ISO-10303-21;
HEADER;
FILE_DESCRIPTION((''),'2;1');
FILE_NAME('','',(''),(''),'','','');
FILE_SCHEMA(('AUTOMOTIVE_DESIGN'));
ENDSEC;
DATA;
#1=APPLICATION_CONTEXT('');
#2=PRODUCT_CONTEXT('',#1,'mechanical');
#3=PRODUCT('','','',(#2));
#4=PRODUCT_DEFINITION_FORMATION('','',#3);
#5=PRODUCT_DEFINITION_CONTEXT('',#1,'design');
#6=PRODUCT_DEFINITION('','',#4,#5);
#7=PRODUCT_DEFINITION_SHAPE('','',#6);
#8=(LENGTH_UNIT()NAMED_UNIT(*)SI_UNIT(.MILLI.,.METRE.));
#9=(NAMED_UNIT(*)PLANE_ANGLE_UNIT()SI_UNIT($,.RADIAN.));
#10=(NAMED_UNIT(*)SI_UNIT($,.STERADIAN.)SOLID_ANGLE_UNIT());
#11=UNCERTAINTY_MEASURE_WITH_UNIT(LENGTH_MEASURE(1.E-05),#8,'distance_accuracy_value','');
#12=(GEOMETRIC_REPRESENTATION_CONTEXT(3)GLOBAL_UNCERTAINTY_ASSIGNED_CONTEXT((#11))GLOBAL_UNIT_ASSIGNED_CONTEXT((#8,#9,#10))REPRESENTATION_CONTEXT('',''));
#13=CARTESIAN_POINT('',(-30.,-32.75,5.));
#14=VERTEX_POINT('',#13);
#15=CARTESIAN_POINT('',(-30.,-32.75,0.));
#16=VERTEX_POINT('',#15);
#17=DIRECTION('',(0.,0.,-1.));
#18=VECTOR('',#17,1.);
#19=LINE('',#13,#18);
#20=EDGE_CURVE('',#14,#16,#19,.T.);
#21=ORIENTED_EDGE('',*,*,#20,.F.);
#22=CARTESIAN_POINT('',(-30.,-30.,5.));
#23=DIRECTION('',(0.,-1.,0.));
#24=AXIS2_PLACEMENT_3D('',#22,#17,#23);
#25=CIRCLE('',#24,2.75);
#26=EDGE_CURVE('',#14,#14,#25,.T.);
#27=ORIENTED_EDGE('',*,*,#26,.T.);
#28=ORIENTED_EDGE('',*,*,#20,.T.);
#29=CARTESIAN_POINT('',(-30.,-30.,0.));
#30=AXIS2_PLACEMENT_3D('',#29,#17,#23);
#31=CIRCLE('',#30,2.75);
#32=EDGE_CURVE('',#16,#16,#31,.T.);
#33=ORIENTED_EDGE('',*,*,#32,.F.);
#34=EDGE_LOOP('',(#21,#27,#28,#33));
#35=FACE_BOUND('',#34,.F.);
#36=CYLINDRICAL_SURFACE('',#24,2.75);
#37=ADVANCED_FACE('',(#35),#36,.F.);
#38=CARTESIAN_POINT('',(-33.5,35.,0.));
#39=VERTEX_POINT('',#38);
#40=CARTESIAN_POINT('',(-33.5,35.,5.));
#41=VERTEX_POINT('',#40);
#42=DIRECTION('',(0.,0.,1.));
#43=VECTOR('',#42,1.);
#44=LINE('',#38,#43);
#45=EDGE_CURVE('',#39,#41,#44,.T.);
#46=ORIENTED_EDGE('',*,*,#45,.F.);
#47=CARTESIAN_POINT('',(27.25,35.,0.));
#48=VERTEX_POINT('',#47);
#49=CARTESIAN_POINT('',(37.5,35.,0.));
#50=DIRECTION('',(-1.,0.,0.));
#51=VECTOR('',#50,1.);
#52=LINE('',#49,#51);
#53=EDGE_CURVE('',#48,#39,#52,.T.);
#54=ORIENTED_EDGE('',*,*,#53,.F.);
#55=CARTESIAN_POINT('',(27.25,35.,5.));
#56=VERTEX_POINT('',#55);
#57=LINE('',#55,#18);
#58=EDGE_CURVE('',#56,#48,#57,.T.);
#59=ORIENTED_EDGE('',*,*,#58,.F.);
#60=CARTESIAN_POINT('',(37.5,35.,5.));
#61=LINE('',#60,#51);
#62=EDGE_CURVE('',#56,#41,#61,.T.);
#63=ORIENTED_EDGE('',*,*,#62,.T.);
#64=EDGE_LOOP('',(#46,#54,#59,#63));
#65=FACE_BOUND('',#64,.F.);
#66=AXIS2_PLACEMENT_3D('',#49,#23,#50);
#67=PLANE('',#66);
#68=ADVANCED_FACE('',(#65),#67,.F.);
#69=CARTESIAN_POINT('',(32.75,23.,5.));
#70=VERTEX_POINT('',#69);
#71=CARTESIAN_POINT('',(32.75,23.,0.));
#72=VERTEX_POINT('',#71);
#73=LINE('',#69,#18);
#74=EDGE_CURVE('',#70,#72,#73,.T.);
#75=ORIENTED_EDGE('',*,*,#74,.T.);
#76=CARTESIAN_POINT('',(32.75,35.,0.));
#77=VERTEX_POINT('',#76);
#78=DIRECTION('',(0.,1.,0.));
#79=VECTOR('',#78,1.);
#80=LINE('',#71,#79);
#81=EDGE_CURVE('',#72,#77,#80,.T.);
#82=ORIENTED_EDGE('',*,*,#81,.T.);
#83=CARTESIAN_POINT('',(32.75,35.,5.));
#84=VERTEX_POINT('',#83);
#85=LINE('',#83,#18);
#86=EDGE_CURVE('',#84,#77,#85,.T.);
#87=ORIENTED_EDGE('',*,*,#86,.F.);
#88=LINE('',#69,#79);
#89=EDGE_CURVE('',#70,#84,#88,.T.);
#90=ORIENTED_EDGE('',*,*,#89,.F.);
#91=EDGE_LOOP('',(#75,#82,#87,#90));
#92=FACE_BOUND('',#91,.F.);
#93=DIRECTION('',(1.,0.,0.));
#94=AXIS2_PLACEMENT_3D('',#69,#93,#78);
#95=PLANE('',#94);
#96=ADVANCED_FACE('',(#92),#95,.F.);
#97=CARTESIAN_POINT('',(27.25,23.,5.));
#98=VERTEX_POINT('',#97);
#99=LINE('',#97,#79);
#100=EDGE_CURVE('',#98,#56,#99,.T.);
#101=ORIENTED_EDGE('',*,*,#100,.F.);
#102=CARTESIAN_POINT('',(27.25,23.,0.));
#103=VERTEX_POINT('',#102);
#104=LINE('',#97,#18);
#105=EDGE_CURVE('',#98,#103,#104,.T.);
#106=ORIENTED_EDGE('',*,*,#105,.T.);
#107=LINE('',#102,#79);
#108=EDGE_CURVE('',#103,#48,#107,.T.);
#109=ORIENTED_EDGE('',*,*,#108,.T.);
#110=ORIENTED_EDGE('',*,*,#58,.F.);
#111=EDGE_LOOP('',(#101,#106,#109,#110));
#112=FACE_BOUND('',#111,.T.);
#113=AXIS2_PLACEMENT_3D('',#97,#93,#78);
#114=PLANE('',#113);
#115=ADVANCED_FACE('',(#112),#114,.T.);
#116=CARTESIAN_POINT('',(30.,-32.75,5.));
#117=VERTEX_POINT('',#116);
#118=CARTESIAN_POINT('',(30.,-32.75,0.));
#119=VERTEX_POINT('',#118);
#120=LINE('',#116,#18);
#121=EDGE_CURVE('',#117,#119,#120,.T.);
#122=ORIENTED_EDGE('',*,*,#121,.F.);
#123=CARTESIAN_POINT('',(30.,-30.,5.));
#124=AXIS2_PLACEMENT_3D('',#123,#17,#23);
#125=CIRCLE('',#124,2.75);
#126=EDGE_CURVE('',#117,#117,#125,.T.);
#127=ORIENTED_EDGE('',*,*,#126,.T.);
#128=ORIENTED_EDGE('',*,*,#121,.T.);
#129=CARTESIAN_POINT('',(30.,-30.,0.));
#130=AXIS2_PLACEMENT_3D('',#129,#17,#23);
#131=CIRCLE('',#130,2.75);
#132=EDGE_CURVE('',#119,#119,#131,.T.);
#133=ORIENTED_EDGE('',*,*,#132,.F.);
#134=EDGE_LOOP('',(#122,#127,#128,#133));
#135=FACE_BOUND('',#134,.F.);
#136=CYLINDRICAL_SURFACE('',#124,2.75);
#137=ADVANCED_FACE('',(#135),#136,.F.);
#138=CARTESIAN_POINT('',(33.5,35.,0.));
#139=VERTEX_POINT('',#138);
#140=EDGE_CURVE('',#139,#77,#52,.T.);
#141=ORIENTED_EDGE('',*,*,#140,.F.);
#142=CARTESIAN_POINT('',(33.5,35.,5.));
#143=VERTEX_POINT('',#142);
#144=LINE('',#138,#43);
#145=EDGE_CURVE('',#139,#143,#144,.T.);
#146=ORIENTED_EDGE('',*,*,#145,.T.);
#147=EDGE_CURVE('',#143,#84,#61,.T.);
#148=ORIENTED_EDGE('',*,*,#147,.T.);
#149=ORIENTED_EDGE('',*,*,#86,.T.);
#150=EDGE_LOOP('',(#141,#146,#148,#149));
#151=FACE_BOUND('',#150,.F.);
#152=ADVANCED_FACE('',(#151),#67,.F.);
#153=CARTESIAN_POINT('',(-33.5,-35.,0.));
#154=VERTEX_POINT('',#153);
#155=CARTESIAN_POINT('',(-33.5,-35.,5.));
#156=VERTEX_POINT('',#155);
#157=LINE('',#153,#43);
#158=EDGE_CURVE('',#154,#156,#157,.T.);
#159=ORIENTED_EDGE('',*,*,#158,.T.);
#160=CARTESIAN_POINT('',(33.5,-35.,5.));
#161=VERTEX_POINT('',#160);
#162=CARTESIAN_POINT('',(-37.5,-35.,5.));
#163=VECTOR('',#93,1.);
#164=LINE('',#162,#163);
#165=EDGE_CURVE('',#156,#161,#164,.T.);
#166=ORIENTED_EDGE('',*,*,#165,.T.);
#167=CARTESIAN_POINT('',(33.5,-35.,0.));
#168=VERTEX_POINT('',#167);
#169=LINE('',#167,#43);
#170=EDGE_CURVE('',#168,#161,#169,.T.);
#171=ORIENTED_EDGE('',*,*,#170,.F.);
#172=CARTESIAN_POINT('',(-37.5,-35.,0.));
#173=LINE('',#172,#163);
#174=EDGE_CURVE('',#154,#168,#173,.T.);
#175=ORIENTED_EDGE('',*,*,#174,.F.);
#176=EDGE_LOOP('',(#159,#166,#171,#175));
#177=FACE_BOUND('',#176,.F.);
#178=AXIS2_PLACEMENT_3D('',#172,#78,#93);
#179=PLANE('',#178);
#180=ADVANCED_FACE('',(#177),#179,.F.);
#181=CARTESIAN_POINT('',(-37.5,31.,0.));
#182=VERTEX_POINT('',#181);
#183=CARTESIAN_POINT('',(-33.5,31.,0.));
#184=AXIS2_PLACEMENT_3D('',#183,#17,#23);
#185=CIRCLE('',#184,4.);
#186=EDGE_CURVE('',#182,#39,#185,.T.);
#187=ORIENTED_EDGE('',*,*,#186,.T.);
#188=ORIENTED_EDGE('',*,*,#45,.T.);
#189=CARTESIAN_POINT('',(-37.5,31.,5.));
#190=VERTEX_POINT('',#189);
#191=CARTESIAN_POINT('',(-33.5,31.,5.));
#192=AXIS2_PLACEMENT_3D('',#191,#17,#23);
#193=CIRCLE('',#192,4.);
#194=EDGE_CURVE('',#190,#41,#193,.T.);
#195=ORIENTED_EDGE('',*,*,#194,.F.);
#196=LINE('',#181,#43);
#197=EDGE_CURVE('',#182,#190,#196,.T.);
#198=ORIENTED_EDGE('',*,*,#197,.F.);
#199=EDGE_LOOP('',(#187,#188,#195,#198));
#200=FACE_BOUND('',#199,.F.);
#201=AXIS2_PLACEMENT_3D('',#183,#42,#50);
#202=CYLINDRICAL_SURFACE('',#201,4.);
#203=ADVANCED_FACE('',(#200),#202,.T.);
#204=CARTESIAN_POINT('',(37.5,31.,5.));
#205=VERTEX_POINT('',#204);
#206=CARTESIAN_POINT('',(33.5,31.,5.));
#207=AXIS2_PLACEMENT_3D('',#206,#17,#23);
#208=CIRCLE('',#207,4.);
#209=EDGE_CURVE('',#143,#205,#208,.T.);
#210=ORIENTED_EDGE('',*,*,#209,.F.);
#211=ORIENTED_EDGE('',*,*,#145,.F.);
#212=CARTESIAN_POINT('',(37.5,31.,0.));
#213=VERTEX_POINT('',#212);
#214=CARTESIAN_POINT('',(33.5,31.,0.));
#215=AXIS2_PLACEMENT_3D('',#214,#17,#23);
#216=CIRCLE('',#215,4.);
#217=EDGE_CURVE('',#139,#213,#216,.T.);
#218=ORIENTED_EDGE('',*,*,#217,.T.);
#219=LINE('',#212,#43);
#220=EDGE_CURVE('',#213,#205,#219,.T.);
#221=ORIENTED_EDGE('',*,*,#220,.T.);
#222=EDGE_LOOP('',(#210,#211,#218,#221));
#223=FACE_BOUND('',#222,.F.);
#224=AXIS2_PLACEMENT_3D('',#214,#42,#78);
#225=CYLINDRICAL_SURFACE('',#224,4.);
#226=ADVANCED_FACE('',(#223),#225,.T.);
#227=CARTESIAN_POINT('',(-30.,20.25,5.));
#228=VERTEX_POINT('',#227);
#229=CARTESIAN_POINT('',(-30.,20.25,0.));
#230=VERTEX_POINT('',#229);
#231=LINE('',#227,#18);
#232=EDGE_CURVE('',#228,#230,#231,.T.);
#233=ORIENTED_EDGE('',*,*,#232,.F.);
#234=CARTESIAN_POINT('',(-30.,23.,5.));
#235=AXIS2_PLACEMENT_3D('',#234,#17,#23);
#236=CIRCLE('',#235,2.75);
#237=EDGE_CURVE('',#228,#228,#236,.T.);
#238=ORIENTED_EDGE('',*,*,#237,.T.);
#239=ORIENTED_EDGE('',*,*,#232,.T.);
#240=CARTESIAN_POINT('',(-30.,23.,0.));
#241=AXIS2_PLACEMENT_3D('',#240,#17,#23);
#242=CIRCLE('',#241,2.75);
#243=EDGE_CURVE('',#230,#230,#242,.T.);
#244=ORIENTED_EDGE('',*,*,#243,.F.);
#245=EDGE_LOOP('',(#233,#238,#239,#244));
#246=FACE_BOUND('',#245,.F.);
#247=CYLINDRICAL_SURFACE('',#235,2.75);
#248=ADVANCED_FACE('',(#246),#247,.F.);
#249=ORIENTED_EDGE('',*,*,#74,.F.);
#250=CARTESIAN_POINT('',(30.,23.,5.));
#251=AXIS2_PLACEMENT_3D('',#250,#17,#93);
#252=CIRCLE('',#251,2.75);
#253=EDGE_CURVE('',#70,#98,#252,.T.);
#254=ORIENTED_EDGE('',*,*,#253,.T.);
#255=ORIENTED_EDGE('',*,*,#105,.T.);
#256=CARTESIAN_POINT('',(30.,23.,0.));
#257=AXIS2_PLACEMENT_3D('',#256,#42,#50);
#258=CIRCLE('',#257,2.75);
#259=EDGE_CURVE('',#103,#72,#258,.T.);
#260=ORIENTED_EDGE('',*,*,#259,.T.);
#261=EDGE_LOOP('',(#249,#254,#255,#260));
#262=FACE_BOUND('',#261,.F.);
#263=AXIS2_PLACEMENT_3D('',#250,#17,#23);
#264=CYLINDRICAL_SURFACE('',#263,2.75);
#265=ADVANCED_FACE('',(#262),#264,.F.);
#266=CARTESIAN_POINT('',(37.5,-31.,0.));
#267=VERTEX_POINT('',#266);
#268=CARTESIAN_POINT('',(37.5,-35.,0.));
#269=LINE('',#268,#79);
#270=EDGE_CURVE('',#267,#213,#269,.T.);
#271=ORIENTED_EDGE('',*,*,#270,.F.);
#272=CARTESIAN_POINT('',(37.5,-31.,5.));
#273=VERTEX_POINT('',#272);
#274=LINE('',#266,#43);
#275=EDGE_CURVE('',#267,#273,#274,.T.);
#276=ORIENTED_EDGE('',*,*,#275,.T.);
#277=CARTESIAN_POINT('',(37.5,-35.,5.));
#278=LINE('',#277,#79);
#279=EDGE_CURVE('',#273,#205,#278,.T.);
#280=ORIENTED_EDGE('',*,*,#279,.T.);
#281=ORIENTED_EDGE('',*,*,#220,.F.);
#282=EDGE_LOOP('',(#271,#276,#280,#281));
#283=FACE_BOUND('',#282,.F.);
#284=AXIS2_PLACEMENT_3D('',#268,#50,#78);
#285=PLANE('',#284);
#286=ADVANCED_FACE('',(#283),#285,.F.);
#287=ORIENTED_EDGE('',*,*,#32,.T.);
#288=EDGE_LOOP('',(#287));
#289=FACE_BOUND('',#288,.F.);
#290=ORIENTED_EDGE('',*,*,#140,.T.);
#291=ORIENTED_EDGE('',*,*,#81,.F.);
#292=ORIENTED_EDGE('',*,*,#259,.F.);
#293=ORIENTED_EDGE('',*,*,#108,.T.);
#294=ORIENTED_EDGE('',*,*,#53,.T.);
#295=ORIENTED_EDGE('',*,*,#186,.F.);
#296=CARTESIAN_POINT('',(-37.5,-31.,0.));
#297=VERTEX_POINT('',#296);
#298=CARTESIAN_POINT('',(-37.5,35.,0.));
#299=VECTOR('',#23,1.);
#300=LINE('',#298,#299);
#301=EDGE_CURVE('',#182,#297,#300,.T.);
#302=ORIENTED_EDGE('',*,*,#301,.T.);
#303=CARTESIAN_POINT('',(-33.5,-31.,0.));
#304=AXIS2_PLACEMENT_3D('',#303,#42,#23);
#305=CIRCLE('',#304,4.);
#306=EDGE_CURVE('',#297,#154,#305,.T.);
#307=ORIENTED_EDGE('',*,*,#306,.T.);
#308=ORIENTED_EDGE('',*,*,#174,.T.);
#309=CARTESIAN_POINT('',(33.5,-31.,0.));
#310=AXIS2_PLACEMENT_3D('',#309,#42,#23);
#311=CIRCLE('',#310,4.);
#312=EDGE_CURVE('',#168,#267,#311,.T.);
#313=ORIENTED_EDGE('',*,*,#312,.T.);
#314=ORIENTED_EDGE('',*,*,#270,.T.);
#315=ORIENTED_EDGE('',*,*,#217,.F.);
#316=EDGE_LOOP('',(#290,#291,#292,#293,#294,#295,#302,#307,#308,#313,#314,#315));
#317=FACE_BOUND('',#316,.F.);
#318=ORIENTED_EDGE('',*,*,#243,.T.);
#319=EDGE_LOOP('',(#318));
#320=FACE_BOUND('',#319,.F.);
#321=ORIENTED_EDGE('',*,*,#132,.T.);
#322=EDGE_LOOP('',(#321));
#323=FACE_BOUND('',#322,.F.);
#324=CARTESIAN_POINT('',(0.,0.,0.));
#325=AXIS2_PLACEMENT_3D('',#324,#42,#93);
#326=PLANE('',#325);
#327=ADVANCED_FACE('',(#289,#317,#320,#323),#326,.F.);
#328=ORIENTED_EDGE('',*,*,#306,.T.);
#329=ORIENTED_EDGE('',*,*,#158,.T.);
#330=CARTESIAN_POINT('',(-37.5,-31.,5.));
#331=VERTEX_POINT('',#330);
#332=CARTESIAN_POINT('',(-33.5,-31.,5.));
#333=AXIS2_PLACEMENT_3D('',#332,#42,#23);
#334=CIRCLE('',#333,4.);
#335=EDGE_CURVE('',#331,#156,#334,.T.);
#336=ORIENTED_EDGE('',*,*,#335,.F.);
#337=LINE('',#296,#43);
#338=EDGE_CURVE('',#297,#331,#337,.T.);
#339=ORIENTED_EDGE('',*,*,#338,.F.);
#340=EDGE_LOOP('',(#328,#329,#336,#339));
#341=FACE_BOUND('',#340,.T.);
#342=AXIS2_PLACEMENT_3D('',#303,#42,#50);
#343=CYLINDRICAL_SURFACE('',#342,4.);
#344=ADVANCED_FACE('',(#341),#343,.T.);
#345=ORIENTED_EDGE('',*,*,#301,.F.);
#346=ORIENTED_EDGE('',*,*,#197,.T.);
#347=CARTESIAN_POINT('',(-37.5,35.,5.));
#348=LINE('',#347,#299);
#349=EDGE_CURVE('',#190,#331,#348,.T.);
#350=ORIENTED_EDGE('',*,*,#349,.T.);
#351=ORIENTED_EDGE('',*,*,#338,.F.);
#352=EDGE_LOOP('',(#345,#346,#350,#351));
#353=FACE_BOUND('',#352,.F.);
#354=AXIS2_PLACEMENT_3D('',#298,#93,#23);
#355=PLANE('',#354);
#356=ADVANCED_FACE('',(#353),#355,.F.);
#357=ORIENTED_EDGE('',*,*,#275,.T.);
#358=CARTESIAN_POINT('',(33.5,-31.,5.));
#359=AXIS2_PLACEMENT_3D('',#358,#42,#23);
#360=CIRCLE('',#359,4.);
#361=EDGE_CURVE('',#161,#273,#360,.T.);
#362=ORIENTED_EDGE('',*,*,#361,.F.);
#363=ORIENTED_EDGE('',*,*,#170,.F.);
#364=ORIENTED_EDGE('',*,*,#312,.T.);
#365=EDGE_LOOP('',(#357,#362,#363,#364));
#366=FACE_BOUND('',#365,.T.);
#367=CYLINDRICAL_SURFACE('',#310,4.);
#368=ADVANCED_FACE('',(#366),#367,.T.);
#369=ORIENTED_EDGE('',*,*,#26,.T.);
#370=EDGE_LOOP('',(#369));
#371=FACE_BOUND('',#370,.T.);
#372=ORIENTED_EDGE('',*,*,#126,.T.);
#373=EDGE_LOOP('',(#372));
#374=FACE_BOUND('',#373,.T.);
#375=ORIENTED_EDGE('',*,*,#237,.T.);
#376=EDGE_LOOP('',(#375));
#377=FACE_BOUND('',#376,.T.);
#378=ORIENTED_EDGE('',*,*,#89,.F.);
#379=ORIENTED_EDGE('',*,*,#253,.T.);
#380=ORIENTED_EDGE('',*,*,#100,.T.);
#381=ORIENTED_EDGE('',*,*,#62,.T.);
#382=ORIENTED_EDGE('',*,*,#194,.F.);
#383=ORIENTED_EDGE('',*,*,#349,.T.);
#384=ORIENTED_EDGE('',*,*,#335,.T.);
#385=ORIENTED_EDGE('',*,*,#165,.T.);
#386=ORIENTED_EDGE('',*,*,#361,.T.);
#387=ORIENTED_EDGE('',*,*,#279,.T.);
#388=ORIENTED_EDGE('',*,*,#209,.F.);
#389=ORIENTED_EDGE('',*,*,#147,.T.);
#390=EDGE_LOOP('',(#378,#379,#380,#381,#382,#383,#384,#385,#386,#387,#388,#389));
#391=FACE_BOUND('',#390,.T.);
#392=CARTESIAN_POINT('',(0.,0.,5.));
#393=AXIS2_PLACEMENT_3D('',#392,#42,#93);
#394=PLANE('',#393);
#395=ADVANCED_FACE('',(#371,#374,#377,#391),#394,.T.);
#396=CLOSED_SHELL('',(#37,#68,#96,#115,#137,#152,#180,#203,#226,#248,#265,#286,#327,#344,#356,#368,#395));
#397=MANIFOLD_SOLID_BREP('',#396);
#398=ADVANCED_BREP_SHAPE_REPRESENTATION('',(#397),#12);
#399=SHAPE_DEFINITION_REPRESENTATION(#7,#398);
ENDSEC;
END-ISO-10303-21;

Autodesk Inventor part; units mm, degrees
ref_plane "YZ Plane" through (0, 0, 0) normal (1, 0, 0) x (0, 1, 0)
ref_plane "XZ Plane" through (0, 0, 0) normal (0, 1, 0) x (-1, 0, 0)
ref_plane "XY Plane" through (0, 0, 0) normal (0, 0, 1) x (1, 0, 0)
sketch "Sketch1" plane through (0, 0, 0) normal (0, 0, 1) x (1, 0, 0)
  line L0 (-37.5, -35) -> (37.5, -35)
  line L1 (37.5, -35) -> (37.5, 35)
  line L2 (37.5, 35) -> (-37.5, 35)
  line L3 (-37.5, 35) -> (-37.5, -35)
  line L4 (-37.5, -35) -> (37.5, 35) construction
  line L5 (37.5, -35) -> (-37.5, 35) construction
  point P0 (0, 0)
  dimension "d0" = 75
  dimension "d1" = 70
extrude "Extrusion1" add sketch "Sketch1" along normal blind 5
sketch "Sketch2" plane through (0, 0, 5) normal (0, 0, 1) x (1, 0, 0)
  line L0 (-30, -30) -> (30, -30) construction
  line L1 (-37.5, -35) -> (37.5, -35) construction
  line L2 (-30, 23) -> (30, 23) construction
  point P0 (0, 0)
  point P1 (0, -30)
  dimension "d4" = 60
  dimension "d5" = 5
  dimension "d6" = 60
  dimension "d7" = 58
  dimension "d8" = 30
hole "Hole1" at (-30, -30, 5) at (30, -30, 5) at (30, 23, 5) at (-30, 23, 5) direction (0, 0, -1) diameter 5.5 depth 8 tip angle 118 clearance for "Countersunk Flat Head Screw DIN EN ISO 2009" size "M5" standard "DIN"
fillet "Fillet1" radius 4 4 edges at (-37.5, 35, 2.5) (37.5, 35, 2.5) (-37.5, -35, 2.5) (37.5, -35, 2.5)
sketch "Sketch3" plane through (0, 0, 5) normal (0, 0, 1) x (1, 0, 0)
  circle A0 centre (30, 23) radius 2.75 projected
  line L0 (27.25, 23) -> (27.25, 35)
  line L1 (33.5, 35) -> (-33.5, 35) projected
  line L2 (32.75, 23) -> (32.75, 35)
  line L3 (32.75, 35) -> (27.25, 35)
  line L4 (32.75, 23) -> (27.25, 23)
  point P0 (0, 0)
extrude "Extrusion2" cut sketch "Sketch3" against normal blind 5 contours A0 L0 L1 L2
properties part number "Halter_Tesla" material "Polycarbonate, Clear"
